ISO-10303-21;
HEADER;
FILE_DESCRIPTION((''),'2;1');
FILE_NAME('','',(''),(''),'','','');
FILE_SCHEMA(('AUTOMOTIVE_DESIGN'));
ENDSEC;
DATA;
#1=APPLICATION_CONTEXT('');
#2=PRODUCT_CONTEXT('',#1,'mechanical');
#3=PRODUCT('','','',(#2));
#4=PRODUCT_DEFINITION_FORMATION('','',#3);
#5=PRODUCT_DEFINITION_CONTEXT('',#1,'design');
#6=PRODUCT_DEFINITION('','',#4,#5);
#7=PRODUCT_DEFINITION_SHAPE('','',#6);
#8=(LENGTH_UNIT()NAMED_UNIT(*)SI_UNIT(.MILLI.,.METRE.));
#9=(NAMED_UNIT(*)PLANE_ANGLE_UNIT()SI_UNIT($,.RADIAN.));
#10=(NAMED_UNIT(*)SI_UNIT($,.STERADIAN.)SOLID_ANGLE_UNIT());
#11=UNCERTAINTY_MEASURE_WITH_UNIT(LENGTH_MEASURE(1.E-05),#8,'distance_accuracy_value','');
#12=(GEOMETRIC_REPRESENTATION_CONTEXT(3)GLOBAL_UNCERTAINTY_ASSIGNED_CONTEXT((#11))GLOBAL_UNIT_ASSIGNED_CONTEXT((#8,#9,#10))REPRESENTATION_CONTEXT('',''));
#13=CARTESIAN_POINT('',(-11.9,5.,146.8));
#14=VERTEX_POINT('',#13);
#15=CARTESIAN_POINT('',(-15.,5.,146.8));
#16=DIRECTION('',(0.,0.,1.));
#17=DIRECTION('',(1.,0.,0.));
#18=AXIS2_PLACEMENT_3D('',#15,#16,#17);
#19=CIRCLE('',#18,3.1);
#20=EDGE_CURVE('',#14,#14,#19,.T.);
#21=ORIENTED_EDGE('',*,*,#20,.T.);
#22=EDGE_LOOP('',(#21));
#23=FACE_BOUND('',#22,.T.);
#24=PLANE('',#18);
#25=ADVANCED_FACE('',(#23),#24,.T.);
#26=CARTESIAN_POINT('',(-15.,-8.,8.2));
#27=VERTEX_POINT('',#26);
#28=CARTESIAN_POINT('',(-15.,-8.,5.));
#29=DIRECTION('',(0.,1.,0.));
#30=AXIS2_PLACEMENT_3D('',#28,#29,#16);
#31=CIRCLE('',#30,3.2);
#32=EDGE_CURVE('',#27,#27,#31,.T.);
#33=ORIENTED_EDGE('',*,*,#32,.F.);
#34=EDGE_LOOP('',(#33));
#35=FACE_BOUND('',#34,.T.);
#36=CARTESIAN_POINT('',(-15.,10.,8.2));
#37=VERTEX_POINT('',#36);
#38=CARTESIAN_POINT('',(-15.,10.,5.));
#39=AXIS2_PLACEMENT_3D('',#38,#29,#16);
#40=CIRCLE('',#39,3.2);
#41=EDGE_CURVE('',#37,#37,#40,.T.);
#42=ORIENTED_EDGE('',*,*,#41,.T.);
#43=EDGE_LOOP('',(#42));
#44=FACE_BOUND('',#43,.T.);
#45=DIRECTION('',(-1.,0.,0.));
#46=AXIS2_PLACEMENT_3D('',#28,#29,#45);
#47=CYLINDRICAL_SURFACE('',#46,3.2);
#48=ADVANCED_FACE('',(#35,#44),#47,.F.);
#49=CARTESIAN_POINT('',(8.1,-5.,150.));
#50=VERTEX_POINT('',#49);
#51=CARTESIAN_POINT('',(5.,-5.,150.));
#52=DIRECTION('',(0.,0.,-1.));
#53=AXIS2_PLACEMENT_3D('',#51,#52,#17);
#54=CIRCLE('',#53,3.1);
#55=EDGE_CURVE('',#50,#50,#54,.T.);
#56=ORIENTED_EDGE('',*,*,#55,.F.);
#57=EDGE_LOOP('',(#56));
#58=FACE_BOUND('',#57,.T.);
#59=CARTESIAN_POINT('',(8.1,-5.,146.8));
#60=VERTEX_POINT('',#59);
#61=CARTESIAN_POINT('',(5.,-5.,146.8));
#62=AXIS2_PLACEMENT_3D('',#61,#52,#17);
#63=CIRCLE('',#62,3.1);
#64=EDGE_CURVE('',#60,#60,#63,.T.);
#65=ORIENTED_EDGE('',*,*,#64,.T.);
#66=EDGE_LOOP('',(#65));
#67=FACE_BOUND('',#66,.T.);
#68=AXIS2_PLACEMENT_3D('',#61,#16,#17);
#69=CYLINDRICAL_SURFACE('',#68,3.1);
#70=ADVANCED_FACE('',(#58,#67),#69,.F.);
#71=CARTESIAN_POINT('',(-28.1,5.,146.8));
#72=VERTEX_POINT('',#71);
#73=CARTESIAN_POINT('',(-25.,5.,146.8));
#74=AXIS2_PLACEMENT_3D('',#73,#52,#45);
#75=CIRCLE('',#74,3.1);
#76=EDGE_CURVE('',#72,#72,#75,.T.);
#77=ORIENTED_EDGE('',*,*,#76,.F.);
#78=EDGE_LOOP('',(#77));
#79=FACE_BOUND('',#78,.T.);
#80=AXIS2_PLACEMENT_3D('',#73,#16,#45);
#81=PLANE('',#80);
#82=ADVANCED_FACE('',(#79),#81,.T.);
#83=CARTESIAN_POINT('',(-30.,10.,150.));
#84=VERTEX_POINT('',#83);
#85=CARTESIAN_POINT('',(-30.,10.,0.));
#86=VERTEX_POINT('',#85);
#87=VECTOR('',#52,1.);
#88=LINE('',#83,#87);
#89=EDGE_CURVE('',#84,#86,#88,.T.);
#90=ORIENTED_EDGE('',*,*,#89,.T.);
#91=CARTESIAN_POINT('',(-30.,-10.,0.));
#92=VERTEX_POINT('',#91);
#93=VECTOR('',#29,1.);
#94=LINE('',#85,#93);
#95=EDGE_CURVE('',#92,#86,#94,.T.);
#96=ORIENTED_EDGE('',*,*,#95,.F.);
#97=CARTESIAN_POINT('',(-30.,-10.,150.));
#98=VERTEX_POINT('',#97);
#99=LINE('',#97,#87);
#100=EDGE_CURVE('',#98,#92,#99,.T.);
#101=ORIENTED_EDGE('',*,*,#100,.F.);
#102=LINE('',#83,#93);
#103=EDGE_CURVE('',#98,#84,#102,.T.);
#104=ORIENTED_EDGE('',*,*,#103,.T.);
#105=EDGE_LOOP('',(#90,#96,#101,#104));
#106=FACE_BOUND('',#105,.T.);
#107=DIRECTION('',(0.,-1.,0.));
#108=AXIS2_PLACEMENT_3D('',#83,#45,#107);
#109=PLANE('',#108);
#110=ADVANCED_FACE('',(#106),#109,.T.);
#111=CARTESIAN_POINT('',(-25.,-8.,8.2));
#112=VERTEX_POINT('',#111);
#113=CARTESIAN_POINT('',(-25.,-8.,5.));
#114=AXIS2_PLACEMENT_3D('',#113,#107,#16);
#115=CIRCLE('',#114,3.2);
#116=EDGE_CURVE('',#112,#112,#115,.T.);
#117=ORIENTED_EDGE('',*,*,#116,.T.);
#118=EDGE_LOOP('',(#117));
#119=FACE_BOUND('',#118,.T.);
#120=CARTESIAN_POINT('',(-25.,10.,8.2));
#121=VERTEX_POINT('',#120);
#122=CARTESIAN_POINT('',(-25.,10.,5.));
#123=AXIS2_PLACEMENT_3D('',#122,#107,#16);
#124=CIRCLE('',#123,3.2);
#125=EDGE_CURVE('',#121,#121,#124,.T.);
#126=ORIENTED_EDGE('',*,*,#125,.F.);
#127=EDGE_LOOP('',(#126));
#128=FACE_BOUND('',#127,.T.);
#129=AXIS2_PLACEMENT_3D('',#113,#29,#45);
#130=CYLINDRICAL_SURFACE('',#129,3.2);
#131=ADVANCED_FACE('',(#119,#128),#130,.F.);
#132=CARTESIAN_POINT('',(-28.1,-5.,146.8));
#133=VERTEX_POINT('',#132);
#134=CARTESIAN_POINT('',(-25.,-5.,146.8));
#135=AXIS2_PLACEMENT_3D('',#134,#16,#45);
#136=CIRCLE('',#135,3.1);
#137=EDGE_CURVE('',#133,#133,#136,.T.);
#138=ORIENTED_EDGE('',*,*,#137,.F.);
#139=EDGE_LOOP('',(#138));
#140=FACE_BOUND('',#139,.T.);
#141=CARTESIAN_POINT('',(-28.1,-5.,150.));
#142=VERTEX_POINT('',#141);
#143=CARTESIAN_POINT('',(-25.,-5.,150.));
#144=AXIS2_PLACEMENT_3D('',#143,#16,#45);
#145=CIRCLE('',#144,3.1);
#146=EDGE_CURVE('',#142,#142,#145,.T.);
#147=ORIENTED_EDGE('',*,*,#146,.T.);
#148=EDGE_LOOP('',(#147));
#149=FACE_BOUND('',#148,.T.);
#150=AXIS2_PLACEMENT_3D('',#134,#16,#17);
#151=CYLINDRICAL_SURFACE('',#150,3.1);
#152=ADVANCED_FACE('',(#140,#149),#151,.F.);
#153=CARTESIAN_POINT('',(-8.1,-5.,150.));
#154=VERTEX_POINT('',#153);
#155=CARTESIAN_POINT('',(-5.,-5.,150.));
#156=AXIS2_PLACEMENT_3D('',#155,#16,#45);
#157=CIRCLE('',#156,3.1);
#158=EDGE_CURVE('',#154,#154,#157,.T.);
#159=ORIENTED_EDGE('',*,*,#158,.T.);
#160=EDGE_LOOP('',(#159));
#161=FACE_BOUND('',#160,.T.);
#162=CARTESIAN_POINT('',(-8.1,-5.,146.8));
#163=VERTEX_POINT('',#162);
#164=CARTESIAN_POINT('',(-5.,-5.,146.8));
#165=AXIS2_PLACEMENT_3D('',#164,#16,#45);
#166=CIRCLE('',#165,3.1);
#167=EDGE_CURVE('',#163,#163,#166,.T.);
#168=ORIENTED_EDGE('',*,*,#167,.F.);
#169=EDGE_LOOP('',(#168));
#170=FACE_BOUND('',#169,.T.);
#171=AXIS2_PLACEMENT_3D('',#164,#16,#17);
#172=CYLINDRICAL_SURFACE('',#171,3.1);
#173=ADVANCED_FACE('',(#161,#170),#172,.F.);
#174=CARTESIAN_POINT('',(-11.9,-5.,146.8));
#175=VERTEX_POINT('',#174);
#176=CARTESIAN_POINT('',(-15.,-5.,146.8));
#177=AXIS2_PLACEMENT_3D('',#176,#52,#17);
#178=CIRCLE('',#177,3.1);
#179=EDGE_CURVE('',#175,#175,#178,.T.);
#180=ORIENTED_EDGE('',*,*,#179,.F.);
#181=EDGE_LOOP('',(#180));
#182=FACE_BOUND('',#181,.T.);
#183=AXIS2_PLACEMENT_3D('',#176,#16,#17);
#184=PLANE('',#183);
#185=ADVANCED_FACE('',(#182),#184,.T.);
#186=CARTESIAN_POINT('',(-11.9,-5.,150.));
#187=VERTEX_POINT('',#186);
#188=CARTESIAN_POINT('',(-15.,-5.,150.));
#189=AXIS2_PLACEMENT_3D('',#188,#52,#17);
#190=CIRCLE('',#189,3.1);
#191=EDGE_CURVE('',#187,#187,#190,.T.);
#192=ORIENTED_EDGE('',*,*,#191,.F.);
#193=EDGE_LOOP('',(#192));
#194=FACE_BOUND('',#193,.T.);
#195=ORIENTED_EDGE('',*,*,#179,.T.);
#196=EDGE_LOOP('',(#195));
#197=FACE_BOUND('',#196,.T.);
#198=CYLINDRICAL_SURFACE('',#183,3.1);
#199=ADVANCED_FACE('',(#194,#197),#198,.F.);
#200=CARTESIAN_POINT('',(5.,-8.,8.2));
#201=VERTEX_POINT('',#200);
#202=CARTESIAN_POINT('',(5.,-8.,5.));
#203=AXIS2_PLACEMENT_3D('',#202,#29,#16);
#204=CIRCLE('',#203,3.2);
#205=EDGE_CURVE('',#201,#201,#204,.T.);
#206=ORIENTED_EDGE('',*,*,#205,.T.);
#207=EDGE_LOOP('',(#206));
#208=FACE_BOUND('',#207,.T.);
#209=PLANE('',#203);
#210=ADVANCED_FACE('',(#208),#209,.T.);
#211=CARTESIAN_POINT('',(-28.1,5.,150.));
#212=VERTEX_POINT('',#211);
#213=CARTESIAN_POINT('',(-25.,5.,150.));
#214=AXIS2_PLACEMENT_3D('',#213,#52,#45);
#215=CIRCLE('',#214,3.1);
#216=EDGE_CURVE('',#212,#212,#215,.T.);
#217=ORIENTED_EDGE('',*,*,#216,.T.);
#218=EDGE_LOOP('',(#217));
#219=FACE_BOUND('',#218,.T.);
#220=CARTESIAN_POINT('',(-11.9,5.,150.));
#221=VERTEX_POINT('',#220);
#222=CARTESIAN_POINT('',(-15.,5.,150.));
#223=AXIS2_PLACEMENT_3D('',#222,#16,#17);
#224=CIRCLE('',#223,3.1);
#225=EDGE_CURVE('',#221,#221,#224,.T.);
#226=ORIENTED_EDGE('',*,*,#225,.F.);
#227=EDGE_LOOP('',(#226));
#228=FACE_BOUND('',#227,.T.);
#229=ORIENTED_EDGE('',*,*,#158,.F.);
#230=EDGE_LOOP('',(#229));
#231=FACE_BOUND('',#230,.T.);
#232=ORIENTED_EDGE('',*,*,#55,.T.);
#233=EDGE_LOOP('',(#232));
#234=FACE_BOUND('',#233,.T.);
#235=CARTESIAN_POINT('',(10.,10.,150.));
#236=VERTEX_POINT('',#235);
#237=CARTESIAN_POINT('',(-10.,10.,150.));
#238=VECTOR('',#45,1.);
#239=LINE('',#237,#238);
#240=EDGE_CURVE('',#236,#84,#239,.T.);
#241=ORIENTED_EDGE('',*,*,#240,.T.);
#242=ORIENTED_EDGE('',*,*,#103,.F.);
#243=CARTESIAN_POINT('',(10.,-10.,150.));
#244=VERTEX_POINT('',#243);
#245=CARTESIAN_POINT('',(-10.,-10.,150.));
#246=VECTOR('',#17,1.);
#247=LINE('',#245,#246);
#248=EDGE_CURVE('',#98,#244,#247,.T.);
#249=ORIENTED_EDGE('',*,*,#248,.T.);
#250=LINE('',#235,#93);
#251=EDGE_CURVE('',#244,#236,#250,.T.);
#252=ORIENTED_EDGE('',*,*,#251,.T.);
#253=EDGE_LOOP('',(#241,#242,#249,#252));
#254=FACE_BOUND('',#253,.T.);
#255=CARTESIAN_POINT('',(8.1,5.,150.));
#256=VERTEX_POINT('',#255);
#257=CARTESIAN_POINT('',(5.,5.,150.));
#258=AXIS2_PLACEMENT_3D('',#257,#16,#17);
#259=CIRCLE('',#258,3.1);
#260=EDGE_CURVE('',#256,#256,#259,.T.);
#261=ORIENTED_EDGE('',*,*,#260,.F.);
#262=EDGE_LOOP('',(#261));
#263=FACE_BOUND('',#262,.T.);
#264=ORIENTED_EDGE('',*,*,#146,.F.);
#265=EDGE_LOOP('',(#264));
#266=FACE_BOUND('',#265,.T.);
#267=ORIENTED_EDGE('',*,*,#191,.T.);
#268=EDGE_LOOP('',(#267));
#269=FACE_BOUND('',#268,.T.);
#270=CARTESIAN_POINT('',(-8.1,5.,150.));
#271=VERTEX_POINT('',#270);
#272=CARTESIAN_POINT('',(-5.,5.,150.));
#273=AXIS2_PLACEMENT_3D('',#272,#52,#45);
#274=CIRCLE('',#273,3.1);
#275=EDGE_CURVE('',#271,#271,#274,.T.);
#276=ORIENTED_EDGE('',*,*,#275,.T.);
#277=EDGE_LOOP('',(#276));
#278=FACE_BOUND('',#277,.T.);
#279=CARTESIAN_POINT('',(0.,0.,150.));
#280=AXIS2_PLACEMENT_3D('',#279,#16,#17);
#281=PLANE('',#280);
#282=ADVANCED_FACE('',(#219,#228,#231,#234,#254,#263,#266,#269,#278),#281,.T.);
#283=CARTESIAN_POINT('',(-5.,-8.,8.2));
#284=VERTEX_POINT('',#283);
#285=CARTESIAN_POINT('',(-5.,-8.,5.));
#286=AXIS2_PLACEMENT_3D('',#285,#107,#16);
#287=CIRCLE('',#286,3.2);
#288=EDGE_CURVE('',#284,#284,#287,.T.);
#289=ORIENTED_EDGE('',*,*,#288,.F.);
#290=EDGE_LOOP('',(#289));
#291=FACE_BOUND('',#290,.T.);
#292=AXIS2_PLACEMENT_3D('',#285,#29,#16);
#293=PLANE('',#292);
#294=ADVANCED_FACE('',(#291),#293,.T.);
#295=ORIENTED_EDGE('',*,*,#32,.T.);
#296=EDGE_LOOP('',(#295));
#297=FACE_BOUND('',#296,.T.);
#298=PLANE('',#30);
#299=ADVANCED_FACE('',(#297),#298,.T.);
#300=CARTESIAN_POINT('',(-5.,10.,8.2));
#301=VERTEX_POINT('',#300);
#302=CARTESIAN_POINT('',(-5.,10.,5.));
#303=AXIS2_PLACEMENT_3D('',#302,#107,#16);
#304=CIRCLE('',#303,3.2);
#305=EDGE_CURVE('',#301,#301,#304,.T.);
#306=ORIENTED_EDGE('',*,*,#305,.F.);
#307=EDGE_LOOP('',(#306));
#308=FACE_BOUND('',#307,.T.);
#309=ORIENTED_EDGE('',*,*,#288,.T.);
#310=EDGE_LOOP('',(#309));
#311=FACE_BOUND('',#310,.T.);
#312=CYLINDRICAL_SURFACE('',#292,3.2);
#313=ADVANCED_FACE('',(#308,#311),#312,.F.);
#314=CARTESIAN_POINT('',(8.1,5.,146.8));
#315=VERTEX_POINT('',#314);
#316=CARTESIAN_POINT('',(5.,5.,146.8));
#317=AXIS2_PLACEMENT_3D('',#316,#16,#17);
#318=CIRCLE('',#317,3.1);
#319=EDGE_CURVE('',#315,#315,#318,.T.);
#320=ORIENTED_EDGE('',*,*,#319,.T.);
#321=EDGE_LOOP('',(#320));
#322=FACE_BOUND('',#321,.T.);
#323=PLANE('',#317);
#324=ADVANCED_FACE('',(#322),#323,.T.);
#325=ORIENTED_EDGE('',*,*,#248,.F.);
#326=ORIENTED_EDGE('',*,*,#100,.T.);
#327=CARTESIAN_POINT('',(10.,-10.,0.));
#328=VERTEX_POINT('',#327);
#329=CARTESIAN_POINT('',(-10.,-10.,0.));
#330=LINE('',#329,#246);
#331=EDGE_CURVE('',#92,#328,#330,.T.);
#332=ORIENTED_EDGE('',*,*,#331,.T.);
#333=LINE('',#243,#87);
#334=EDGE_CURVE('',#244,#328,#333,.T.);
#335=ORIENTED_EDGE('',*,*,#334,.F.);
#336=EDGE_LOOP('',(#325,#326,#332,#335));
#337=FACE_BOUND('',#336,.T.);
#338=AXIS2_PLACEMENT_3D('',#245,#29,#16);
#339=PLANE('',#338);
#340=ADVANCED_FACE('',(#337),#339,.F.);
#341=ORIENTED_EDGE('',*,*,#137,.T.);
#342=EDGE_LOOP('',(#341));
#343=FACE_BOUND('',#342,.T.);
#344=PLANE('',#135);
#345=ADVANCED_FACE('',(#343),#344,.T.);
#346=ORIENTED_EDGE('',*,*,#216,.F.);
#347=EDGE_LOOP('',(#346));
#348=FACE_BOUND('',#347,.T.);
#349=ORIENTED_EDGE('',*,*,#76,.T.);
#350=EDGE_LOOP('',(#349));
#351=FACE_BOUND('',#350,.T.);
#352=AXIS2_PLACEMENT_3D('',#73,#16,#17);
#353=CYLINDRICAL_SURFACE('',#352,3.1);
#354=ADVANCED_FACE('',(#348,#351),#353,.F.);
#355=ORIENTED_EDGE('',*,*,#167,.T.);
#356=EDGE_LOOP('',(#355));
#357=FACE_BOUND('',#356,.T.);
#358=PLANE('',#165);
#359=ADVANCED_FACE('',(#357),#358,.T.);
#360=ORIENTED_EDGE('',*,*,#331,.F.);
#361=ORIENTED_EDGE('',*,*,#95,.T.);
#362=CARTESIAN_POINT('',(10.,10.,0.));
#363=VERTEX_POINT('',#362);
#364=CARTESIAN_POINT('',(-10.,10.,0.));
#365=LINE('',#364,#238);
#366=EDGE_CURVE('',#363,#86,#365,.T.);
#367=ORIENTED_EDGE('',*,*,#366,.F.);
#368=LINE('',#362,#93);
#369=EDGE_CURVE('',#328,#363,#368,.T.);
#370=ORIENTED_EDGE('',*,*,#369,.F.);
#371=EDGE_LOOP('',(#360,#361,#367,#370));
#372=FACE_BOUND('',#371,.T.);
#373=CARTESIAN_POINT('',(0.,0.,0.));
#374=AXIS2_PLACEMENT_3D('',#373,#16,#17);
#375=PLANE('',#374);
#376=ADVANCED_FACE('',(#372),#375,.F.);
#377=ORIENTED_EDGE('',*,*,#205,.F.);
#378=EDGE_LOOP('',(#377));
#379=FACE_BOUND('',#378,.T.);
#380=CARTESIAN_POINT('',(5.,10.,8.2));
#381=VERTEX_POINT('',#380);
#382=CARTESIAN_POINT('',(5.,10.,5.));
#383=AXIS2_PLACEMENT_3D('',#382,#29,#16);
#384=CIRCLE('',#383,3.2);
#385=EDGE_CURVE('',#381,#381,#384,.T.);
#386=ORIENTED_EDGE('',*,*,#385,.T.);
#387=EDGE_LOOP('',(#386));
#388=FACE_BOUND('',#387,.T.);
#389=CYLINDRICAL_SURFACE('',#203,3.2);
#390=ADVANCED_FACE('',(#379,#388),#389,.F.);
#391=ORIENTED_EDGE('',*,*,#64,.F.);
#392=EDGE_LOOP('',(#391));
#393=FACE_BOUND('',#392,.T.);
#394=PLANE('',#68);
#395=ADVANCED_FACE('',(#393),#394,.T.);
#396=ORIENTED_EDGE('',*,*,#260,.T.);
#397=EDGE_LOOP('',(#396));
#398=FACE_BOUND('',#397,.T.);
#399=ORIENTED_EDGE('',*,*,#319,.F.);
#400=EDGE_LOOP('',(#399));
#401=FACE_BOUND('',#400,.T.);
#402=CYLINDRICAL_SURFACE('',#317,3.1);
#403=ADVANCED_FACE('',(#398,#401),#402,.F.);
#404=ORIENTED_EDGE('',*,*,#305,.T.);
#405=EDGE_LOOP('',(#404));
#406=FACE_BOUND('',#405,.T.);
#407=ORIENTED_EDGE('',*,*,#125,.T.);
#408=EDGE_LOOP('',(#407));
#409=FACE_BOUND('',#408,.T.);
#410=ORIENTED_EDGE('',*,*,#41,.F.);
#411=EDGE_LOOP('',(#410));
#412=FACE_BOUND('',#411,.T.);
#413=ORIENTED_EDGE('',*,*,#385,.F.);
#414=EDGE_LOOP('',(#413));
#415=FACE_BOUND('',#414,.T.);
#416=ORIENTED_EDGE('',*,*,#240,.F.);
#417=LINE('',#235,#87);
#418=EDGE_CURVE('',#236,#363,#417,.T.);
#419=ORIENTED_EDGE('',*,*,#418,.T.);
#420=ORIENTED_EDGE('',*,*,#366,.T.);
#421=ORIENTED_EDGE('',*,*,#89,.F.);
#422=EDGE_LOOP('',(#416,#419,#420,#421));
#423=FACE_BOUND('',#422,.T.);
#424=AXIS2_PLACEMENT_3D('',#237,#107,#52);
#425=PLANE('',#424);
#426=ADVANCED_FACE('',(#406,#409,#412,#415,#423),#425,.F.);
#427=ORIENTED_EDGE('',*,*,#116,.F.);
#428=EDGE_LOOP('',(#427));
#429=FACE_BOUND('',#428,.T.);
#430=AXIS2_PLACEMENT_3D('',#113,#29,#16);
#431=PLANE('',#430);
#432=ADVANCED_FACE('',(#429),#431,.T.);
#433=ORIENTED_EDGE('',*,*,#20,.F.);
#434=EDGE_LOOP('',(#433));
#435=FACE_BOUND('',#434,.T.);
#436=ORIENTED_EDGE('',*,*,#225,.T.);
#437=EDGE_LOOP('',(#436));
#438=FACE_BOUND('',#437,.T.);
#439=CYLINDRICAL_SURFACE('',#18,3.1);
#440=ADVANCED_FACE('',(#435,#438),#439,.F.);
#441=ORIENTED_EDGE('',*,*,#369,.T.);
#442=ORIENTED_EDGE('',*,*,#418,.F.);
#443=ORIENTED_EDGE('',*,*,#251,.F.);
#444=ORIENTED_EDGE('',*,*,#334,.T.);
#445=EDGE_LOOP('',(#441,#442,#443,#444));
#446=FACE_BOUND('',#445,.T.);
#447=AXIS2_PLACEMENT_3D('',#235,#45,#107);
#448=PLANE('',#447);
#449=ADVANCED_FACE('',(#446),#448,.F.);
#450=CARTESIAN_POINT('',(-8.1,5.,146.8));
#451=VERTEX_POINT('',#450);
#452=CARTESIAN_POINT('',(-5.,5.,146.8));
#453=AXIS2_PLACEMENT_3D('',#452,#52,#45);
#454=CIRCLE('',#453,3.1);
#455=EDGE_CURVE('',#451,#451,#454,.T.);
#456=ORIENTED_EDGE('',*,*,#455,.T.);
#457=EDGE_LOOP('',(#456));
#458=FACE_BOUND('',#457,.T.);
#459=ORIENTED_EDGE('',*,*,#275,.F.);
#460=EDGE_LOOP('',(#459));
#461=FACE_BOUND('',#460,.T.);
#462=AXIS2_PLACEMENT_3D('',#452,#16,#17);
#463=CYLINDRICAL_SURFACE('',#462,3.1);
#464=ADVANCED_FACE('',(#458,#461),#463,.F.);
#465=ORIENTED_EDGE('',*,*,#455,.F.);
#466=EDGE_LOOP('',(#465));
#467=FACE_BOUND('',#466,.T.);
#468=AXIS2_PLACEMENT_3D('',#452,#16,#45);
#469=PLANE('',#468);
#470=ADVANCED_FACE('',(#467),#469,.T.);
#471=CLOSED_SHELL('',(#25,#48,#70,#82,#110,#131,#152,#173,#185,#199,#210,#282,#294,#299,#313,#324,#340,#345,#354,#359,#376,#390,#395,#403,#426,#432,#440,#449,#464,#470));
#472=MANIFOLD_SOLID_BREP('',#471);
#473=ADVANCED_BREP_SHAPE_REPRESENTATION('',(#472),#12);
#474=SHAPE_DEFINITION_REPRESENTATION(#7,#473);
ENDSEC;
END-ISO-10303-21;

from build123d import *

# Parameters (mm, degrees)
SKETCH_1_W               = 20
SKETCH_1_H               = 20
EXTRUDE_1_DEPTH          = 150
SKETCH_3_R               = 3.2
CUT_EXTRUDE_2_DEPTH      = 18
SKETCH_4_R               = 3.1
CUT_EXTRUDE_3_DEPTH      = 3.2
MIRROR_3_COPY_1_SKETCH_R = 3.1
MIRROR_3_COPY_1_DEPTH    = 3.2
MIRROR_4_COPY_1_SKETCH_R = 3.2
MIRROR_4_COPY_1_DEPTH    = 18
MIRROR_4_COPY_2_SKETCH_R = 3.1
MIRROR_4_COPY_2_DEPTH    = 3.2
MIRROR_4_COPY_3_SKETCH_R = 3.1
MIRROR_4_COPY_3_DEPTH    = 3.2
MIRROR_4_COPY_4_SKETCH_R = 3.1
MIRROR_4_COPY_4_DEPTH    = 3.2


with BuildPart() as part:
    # ｽｹｯﾁ1 → ﾎﾞｽ - 押し出し1 (new body)
    with BuildSketch(Plane.XY):
        Rectangle(SKETCH_1_W, SKETCH_1_H)
    extrude_1 = extrude(amount=EXTRUDE_1_DEPTH)

    # ｽｹｯﾁ3 → ｶｯﾄ - 押し出し2 (cut)
    with BuildSketch(Plane(origin=(0, 10, 0), x_dir=(1, 0, 0), z_dir=(0, 1, 0))):
        with Locations(Location((5, -5, 0), (0, 0, 270))):
            Circle(SKETCH_3_R)
    cut_extrude_2 = extrude(amount=-CUT_EXTRUDE_2_DEPTH, mode=Mode.SUBTRACT)

    # ﾐﾗｰ1: ｶｯﾄ - 押し出し2 across plane
    add(cut_extrude_2.mirror(Plane(origin=(0, 0, 0), x_dir=(0, 0, 1), z_dir=(1, 0, 0))), mode=Mode.SUBTRACT)

    # ｽｹｯﾁ4 → ｶｯﾄ - 押し出し3 (cut)
    with BuildSketch(Plane.XY.offset(150)):
        with Locations((5, 5)):
            Circle(SKETCH_4_R)
    cut_extrude_3 = extrude(amount=-CUT_EXTRUDE_3_DEPTH, mode=Mode.SUBTRACT)

    # ﾐﾗｰ2: ｶｯﾄ - 押し出し3 across plane
    add(cut_extrude_3.mirror(Plane.ZX), mode=Mode.SUBTRACT)

    # ﾐﾗｰ3: ｶｯﾄ - 押し出し3 across plane
    add(cut_extrude_3.mirror(Plane(origin=(0, 0, 0), x_dir=(0, 0, 1), z_dir=(1, 0, 0))), mode=Mode.SUBTRACT)

    # ﾐﾗｰ3 copy 1 sketch → ﾐﾗｰ3 copy 1 (cut)
    with BuildSketch(Plane(origin=(0, 0, 150), x_dir=(-1, 0, 0), z_dir=(0, 0, 1))):
        with Locations((5, 5)):
            Circle(MIRROR_3_COPY_1_SKETCH_R)
    extrude(amount=-MIRROR_3_COPY_1_DEPTH, mode=Mode.SUBTRACT)

    # ﾐﾗｰ4: ﾎﾞｽ - 押し出し1, ｶｯﾄ - 押し出し2, ｶｯﾄ - 押し出し3 across plane
    add(extrude_1.mirror(Plane(origin=(-10, 10, 150), x_dir=(0, 0, 1), z_dir=(1, 0, 0))))
    add(cut_extrude_2.mirror(Plane(origin=(-10, 10, 150), x_dir=(0, 0, 1), z_dir=(1, 0, 0))), mode=Mode.SUBTRACT)
    add(cut_extrude_3.mirror(Plane(origin=(-10, 10, 150), x_dir=(0, 0, 1), z_dir=(1, 0, 0))), mode=Mode.SUBTRACT)

    # ﾐﾗｰ4 copy 1 sketch → ﾐﾗｰ4 copy 1 (cut)
    with BuildSketch(Plane(origin=(-20, 10, 0), x_dir=(1, 0, 0), z_dir=(0, 1, 0))):
        with Locations(Location((5, -5, 0), (0, 0, 270))):
            Circle(MIRROR_4_COPY_1_SKETCH_R)
    extrude(amount=-MIRROR_4_COPY_1_DEPTH, mode=Mode.SUBTRACT)

    # ﾐﾗｰ4 copy 2 sketch → ﾐﾗｰ4 copy 2 (cut)
    with BuildSketch(Plane(origin=(-20, 0, 150), x_dir=(-1, 0, 0), z_dir=(0, 0, 1))):
        with Locations((5, 5)):
            Circle(MIRROR_4_COPY_2_SKETCH_R)
    extrude(amount=-MIRROR_4_COPY_2_DEPTH, mode=Mode.SUBTRACT)

    # ﾐﾗｰ4 copy 3 sketch → ﾐﾗｰ4 copy 3 (cut)
    with BuildSketch(Plane(origin=(-20, 0, 150), x_dir=(1, 0, 0), z_dir=(0, 0, 1))):
        with Locations((5, 5)):
            Circle(MIRROR_4_COPY_3_SKETCH_R)
    extrude(amount=-MIRROR_4_COPY_3_DEPTH, mode=Mode.SUBTRACT)

    # ﾐﾗｰ4 copy 4 sketch → ﾐﾗｰ4 copy 4 (cut)
    with BuildSketch(Plane(origin=(-20, 0, 150), x_dir=(1, 0, 0), z_dir=(0, 0, 1))):
        with Locations((5, -5)):
            Circle(MIRROR_4_COPY_4_SKETCH_R)
    extrude(amount=-MIRROR_4_COPY_4_DEPTH, mode=Mode.SUBTRACT)


solid = part.part
